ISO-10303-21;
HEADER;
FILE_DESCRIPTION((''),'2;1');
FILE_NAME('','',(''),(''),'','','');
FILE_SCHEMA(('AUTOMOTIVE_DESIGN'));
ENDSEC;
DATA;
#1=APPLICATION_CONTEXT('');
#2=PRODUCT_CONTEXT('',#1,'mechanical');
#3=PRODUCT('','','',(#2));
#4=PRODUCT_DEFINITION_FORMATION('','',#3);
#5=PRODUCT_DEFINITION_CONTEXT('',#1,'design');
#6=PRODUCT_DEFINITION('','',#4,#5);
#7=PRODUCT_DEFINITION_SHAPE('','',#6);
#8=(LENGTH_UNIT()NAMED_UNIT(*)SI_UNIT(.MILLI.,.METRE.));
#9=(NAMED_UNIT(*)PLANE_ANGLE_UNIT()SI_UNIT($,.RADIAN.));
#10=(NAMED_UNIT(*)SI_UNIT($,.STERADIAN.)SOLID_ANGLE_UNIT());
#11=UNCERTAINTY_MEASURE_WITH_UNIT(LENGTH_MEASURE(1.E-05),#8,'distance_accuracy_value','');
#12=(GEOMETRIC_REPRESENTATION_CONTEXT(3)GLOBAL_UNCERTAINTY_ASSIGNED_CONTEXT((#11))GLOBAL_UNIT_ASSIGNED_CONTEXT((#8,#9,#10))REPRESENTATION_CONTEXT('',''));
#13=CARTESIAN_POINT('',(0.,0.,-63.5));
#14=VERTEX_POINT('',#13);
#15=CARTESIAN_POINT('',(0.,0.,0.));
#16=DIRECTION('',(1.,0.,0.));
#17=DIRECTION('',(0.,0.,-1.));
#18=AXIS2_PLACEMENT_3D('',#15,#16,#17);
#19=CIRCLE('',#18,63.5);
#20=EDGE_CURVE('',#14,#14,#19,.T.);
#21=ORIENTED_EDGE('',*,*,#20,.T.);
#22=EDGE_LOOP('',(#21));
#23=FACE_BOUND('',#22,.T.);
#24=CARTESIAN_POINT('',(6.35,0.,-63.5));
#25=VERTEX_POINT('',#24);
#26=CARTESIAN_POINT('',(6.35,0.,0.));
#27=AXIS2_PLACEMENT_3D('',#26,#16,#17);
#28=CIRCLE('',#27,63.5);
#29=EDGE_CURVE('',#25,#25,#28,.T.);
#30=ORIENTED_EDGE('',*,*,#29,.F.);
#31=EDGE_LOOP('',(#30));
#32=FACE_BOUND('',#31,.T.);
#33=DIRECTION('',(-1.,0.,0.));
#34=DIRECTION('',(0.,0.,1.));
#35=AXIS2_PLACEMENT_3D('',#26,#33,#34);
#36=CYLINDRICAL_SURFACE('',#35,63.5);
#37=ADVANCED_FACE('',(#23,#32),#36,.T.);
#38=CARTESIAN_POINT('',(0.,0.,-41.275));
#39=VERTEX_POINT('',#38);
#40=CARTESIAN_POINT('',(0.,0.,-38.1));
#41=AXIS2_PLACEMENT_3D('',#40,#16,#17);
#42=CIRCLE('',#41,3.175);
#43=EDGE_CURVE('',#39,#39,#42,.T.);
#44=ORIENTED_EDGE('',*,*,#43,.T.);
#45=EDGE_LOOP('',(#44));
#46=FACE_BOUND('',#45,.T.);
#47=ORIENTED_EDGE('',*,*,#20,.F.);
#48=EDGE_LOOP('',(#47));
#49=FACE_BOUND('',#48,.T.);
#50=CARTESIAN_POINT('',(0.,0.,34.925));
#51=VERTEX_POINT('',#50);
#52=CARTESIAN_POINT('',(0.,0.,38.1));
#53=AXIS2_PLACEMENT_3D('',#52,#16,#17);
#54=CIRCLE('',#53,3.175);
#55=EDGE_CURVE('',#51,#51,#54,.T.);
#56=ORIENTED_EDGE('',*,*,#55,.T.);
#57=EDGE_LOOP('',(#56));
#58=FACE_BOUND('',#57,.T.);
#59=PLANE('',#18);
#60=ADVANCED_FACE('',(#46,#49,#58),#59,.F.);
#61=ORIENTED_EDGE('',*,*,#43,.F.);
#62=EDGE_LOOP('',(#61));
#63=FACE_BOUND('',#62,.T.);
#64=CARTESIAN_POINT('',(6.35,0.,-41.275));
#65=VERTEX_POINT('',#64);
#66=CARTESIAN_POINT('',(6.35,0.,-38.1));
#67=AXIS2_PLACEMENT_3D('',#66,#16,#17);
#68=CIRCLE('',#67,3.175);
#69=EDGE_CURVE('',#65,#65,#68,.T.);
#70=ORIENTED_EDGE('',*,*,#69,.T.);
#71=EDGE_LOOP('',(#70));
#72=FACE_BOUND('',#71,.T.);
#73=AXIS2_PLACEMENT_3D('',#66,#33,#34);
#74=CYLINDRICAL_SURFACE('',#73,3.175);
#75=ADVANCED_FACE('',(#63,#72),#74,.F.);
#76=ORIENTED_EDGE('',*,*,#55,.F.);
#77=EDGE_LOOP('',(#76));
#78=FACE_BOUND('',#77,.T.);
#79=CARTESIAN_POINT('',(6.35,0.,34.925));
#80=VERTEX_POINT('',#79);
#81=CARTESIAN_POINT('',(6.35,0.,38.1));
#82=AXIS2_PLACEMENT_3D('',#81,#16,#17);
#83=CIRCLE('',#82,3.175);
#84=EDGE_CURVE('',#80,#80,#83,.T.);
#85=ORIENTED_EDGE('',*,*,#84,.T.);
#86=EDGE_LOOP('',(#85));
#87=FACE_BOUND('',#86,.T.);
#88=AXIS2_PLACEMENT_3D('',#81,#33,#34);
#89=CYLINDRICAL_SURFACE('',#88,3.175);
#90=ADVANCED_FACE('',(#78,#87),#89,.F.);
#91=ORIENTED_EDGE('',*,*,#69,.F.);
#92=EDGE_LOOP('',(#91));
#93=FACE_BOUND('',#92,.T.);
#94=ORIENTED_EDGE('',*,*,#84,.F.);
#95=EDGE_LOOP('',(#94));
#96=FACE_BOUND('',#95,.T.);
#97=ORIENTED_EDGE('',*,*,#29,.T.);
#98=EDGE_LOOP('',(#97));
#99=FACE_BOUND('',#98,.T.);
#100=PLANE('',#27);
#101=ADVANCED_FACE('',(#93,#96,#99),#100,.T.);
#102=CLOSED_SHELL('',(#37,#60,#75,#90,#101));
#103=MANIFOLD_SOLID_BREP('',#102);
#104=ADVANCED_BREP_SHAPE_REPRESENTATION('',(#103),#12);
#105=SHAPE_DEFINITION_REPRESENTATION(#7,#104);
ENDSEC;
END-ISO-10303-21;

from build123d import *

# Parameters (mm, degrees)
SKETCH1_R           = 63.5
SKETCH1_R_2         = 3.175
BOSS_EXTRUDE1_DEPTH = 6.35


with BuildPart() as part:
    # Sketch1 → Boss-Extrude1 (new body)
    with BuildSketch(Plane(origin=(0, 0, 0), x_dir=(0, 0, -1), z_dir=(1, 0, 0))):
        Circle(SKETCH1_R)
        with Locations((38.1, 0)):
            Circle(SKETCH1_R_2, mode=Mode.SUBTRACT)
        with Locations((-38.1, 0)):
            Circle(SKETCH1_R_2, mode=Mode.SUBTRACT)
    extrude(amount=BOSS_EXTRUDE1_DEPTH)


solid = part.part
